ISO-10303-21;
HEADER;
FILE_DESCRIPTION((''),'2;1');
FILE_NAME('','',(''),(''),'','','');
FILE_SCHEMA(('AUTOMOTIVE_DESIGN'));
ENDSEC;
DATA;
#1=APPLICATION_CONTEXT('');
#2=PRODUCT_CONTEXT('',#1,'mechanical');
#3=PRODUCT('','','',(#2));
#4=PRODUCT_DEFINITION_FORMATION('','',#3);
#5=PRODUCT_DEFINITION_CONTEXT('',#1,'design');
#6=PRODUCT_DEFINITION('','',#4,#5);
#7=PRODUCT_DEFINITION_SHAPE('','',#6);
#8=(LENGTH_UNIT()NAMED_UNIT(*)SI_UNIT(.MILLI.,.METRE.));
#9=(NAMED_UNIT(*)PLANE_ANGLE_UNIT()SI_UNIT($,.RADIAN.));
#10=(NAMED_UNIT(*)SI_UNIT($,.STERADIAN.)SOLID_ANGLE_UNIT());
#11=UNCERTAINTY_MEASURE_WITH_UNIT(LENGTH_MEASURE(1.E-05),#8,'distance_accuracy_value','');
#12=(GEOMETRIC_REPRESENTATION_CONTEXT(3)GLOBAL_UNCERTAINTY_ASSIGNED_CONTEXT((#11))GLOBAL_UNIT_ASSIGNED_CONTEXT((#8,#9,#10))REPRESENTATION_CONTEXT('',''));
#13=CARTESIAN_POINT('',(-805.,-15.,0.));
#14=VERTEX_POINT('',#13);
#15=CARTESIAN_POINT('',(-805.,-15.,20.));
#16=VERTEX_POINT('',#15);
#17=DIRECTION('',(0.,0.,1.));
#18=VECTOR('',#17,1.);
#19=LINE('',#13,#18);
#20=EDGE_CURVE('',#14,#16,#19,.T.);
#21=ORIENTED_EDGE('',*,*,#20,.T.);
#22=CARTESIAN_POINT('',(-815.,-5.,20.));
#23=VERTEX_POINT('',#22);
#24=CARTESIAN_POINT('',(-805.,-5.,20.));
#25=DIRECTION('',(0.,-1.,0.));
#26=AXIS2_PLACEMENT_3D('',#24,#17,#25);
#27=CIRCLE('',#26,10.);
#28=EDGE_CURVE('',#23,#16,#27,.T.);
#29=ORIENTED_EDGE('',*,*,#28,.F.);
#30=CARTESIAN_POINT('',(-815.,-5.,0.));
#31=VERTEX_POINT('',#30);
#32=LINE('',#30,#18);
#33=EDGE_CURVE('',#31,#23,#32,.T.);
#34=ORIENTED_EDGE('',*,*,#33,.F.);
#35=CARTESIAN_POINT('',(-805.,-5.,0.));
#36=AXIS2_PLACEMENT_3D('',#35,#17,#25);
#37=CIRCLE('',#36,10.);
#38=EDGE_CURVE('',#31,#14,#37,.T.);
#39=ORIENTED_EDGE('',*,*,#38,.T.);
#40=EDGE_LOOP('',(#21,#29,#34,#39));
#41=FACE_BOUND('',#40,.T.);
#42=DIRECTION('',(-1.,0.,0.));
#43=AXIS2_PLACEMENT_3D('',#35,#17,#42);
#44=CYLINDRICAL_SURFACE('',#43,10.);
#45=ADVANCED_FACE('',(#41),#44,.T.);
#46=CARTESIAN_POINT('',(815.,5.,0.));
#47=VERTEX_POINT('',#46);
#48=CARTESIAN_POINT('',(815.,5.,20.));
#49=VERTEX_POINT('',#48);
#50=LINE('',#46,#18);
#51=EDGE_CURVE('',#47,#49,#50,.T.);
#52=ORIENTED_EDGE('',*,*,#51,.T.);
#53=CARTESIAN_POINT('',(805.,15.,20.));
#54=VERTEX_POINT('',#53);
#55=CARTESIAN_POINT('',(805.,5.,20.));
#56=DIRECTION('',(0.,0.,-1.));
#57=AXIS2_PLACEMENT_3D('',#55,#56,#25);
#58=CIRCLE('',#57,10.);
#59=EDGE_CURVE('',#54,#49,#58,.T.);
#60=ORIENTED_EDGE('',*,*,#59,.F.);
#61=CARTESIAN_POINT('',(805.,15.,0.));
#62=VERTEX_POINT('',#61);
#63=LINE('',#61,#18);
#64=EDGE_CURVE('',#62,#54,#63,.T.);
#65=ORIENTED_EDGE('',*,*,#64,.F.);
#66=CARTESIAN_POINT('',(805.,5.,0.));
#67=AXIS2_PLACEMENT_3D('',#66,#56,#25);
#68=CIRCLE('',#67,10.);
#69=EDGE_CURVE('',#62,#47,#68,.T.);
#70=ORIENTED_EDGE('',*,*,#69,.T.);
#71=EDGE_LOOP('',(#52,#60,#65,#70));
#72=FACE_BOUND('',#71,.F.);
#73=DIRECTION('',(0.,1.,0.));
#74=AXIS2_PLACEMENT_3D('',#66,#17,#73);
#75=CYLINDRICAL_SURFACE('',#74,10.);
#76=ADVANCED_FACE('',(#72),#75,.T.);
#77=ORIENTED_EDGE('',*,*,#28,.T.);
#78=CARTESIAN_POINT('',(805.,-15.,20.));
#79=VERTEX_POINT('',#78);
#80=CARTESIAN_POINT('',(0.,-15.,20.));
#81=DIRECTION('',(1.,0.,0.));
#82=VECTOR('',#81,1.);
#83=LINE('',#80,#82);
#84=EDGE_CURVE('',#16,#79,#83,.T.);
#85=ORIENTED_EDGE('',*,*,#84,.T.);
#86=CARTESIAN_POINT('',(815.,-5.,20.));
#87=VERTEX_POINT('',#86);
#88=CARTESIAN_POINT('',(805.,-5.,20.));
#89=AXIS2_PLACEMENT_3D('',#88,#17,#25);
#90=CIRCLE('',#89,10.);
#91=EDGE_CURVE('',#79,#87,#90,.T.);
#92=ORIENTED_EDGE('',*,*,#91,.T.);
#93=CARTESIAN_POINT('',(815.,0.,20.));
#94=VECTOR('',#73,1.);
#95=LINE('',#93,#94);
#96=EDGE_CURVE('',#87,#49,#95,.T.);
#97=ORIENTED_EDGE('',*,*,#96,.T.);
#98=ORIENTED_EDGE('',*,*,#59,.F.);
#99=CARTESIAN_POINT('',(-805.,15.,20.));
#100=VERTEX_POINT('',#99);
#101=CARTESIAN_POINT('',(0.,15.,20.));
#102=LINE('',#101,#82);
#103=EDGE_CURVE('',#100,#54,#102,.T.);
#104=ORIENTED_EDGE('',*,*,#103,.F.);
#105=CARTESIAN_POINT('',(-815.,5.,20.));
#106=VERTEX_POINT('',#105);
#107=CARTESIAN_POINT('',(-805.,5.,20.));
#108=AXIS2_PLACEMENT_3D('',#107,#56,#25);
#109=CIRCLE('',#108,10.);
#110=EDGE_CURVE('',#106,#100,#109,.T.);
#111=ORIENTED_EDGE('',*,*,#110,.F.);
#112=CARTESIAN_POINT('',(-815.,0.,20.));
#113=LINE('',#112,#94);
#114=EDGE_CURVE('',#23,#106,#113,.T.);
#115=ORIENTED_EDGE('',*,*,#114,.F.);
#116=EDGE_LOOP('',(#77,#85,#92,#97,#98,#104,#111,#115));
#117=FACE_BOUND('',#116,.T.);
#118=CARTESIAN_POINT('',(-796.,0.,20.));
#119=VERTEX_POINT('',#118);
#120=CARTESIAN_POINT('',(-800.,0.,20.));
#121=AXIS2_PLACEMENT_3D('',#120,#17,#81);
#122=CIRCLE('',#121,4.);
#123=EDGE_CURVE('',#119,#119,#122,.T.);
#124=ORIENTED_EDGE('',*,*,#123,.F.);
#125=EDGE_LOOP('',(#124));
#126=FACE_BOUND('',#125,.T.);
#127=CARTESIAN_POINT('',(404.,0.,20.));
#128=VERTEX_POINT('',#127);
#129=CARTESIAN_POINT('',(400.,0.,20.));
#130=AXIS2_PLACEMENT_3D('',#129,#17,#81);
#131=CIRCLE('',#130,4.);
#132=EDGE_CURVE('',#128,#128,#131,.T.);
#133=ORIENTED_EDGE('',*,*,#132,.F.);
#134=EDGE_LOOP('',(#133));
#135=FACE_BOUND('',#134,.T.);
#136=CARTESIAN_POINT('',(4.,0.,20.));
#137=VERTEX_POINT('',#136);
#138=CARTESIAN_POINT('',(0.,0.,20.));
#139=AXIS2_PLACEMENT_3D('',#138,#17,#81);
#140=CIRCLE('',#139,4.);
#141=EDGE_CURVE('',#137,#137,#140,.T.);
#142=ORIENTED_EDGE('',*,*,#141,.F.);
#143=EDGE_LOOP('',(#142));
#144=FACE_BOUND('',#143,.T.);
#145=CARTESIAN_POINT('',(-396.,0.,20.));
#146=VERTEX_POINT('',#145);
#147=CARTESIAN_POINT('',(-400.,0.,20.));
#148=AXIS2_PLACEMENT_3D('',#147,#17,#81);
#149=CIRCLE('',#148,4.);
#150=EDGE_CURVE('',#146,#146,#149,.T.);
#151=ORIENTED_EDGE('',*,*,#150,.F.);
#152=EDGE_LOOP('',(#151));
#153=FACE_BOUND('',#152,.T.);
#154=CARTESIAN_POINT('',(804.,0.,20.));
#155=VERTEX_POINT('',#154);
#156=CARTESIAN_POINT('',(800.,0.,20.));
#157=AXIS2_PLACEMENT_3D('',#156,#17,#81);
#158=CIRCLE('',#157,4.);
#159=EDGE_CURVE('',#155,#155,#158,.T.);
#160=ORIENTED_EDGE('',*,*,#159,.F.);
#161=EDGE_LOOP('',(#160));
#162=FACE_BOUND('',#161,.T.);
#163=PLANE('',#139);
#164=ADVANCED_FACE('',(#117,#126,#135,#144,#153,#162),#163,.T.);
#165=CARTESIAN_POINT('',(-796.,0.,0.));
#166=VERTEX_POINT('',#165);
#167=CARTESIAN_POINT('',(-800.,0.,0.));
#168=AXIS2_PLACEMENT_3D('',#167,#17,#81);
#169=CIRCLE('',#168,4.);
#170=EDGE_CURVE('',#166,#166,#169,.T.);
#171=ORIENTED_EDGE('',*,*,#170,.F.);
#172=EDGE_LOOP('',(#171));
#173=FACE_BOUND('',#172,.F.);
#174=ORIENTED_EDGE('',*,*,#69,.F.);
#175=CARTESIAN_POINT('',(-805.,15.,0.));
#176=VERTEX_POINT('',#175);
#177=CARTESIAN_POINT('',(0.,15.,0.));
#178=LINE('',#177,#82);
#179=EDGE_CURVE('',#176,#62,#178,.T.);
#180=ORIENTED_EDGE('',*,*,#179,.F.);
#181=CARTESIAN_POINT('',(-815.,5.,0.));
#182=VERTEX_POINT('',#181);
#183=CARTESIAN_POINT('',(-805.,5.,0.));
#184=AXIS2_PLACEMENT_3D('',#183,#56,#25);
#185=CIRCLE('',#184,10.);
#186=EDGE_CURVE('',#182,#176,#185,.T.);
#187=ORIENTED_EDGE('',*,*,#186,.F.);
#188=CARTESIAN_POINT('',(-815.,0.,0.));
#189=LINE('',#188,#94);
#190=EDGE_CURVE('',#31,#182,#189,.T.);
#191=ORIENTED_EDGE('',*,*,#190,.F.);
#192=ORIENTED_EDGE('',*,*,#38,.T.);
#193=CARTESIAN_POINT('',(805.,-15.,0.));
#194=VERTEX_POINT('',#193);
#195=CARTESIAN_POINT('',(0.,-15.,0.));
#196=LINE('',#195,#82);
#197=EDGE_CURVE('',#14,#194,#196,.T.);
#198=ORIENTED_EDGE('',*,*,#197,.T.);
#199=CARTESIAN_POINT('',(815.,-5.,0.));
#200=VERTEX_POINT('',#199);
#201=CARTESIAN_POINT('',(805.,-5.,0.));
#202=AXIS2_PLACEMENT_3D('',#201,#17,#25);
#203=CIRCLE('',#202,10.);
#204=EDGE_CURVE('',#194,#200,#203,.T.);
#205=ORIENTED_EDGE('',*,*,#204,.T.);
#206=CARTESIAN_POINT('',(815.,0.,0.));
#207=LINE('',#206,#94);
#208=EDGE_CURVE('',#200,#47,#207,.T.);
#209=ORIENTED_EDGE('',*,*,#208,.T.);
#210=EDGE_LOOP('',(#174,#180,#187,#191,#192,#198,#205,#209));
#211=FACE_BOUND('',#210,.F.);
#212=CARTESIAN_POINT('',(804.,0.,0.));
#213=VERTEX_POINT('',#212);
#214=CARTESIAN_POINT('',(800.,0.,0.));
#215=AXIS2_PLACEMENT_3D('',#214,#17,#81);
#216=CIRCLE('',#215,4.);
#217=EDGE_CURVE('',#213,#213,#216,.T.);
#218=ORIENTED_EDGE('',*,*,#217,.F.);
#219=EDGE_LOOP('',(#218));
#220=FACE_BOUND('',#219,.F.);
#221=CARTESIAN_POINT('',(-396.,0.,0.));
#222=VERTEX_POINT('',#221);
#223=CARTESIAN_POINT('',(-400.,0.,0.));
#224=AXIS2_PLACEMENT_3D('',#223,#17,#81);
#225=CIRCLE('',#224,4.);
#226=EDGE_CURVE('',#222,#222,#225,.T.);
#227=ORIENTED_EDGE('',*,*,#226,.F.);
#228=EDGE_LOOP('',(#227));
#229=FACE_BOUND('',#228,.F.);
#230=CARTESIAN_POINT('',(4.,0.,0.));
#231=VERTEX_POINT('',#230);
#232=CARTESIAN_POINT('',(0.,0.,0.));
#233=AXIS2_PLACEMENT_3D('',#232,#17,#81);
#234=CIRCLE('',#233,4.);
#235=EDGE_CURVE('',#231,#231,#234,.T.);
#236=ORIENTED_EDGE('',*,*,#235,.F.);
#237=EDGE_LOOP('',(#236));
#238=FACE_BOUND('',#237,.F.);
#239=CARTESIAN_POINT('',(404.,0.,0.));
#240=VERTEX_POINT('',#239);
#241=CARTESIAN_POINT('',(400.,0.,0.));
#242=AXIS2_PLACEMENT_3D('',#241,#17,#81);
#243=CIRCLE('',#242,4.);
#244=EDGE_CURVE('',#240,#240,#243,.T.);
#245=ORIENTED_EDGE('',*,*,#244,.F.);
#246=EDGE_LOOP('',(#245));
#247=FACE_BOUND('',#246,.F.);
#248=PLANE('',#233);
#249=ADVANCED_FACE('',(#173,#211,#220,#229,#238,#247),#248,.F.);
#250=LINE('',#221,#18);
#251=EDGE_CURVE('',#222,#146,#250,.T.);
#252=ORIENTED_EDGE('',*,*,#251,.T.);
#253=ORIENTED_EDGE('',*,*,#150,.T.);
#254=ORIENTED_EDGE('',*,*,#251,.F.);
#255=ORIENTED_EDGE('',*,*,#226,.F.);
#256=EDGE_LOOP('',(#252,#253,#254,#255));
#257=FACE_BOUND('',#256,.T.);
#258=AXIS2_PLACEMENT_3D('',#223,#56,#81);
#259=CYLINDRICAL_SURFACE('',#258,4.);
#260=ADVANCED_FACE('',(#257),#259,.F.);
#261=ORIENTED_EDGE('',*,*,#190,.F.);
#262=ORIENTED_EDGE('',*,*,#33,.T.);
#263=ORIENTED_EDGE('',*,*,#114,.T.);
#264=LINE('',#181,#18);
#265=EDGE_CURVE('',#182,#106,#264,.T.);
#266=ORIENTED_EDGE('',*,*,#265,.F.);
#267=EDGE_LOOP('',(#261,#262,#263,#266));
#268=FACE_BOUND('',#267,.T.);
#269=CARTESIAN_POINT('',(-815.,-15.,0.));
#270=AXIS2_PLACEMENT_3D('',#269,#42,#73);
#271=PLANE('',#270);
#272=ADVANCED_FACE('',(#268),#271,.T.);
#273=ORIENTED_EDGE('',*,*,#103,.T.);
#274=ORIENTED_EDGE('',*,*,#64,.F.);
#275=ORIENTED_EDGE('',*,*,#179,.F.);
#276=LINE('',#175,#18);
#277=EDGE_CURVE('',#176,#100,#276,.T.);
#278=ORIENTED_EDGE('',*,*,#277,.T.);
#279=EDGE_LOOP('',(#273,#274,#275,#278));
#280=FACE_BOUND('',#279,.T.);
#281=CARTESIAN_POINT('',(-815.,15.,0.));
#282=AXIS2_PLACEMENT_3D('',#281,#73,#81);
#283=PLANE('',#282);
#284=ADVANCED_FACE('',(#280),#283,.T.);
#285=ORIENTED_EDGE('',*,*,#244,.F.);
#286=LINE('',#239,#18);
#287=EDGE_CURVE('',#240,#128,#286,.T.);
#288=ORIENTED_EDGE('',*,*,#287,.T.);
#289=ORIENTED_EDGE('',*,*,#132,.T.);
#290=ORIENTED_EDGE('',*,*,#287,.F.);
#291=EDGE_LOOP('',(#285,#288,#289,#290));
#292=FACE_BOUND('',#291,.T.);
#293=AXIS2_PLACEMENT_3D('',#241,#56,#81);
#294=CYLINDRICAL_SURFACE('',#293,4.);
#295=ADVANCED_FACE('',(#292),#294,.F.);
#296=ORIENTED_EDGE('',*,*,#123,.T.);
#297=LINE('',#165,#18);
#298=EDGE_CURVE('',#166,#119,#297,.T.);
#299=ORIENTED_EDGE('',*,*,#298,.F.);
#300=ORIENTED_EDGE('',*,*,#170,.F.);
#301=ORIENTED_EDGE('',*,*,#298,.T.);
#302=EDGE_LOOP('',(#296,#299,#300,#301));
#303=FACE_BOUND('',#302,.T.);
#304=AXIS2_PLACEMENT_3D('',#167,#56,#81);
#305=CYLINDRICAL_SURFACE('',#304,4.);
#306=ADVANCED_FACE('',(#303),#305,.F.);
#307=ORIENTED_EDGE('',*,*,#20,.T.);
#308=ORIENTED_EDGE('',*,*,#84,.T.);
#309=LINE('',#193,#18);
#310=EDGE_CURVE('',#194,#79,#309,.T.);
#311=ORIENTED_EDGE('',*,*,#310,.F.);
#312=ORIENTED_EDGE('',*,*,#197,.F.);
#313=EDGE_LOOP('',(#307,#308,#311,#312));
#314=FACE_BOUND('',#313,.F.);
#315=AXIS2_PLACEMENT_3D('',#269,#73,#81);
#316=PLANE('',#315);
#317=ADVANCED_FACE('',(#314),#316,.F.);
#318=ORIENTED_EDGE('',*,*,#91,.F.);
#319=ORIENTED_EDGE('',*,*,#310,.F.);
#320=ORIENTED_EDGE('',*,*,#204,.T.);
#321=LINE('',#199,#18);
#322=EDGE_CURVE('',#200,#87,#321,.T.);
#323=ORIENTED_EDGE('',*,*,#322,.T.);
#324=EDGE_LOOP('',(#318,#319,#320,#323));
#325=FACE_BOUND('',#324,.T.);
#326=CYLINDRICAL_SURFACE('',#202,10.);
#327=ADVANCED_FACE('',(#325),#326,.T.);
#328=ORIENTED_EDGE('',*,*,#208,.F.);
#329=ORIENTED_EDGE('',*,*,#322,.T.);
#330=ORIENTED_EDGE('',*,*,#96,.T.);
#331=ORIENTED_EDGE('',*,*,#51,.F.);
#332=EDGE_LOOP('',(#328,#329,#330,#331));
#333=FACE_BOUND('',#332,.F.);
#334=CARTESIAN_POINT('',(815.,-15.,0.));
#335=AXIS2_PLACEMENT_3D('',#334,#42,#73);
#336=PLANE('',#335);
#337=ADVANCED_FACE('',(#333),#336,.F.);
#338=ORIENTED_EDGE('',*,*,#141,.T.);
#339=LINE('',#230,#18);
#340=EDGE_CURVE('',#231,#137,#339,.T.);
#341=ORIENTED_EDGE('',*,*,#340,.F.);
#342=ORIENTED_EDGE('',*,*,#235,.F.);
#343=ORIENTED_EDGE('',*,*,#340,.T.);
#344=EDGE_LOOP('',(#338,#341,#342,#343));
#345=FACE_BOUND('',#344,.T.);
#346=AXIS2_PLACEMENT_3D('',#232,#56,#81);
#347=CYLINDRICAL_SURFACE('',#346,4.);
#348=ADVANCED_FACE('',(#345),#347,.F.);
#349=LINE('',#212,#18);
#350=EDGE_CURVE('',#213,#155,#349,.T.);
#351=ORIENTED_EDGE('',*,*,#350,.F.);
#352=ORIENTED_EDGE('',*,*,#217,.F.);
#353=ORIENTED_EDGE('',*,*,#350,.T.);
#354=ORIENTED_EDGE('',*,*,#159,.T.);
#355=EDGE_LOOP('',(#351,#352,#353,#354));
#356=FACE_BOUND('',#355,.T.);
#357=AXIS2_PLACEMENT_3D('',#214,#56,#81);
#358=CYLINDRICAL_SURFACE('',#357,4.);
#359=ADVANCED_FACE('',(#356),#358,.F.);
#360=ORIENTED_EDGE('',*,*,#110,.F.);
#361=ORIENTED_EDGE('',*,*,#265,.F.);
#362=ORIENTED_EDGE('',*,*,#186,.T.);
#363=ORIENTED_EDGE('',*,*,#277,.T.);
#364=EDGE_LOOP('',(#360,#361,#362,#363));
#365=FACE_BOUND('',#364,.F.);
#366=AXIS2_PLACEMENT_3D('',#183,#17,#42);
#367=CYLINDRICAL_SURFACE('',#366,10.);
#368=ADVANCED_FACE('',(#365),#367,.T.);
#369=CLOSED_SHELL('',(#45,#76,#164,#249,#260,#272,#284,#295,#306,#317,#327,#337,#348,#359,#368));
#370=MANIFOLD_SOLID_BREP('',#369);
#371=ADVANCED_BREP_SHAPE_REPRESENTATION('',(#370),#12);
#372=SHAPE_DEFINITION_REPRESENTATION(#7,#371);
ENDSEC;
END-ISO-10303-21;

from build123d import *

# Parameters (mm, degrees)
F0_W     = 1630
F0_H     = 30
F0_R     = 4
F1_DEPTH = 20
F2_R     = 10


with BuildPart() as f1:
    # F0 (on Top) → F1 (new body)
    with BuildSketch(Plane.XY):
        Rectangle(F0_W, F0_H)
        with Locations((-800, 0)):
            Circle(F0_R, mode=Mode.SUBTRACT)
        with Locations((-400, 0)):
            Circle(F0_R, mode=Mode.SUBTRACT)
        Circle(F0_R, mode=Mode.SUBTRACT)
        with Locations((400, 0)):
            Circle(F0_R, mode=Mode.SUBTRACT)
        with Locations((800, 0)):
            Circle(F0_R, mode=Mode.SUBTRACT)
    extrude(amount=F1_DEPTH)

    # F2
    f2_edges = [f1.edges().sort_by_distance(p)[0] for p in [
        (-815, 15, 10),
        (-815, -15, 10),
        (815, 15, 10),
        (815, -15, 10),
    ]]
    fillet(f2_edges, radius=F2_R)


solid = f1.part
